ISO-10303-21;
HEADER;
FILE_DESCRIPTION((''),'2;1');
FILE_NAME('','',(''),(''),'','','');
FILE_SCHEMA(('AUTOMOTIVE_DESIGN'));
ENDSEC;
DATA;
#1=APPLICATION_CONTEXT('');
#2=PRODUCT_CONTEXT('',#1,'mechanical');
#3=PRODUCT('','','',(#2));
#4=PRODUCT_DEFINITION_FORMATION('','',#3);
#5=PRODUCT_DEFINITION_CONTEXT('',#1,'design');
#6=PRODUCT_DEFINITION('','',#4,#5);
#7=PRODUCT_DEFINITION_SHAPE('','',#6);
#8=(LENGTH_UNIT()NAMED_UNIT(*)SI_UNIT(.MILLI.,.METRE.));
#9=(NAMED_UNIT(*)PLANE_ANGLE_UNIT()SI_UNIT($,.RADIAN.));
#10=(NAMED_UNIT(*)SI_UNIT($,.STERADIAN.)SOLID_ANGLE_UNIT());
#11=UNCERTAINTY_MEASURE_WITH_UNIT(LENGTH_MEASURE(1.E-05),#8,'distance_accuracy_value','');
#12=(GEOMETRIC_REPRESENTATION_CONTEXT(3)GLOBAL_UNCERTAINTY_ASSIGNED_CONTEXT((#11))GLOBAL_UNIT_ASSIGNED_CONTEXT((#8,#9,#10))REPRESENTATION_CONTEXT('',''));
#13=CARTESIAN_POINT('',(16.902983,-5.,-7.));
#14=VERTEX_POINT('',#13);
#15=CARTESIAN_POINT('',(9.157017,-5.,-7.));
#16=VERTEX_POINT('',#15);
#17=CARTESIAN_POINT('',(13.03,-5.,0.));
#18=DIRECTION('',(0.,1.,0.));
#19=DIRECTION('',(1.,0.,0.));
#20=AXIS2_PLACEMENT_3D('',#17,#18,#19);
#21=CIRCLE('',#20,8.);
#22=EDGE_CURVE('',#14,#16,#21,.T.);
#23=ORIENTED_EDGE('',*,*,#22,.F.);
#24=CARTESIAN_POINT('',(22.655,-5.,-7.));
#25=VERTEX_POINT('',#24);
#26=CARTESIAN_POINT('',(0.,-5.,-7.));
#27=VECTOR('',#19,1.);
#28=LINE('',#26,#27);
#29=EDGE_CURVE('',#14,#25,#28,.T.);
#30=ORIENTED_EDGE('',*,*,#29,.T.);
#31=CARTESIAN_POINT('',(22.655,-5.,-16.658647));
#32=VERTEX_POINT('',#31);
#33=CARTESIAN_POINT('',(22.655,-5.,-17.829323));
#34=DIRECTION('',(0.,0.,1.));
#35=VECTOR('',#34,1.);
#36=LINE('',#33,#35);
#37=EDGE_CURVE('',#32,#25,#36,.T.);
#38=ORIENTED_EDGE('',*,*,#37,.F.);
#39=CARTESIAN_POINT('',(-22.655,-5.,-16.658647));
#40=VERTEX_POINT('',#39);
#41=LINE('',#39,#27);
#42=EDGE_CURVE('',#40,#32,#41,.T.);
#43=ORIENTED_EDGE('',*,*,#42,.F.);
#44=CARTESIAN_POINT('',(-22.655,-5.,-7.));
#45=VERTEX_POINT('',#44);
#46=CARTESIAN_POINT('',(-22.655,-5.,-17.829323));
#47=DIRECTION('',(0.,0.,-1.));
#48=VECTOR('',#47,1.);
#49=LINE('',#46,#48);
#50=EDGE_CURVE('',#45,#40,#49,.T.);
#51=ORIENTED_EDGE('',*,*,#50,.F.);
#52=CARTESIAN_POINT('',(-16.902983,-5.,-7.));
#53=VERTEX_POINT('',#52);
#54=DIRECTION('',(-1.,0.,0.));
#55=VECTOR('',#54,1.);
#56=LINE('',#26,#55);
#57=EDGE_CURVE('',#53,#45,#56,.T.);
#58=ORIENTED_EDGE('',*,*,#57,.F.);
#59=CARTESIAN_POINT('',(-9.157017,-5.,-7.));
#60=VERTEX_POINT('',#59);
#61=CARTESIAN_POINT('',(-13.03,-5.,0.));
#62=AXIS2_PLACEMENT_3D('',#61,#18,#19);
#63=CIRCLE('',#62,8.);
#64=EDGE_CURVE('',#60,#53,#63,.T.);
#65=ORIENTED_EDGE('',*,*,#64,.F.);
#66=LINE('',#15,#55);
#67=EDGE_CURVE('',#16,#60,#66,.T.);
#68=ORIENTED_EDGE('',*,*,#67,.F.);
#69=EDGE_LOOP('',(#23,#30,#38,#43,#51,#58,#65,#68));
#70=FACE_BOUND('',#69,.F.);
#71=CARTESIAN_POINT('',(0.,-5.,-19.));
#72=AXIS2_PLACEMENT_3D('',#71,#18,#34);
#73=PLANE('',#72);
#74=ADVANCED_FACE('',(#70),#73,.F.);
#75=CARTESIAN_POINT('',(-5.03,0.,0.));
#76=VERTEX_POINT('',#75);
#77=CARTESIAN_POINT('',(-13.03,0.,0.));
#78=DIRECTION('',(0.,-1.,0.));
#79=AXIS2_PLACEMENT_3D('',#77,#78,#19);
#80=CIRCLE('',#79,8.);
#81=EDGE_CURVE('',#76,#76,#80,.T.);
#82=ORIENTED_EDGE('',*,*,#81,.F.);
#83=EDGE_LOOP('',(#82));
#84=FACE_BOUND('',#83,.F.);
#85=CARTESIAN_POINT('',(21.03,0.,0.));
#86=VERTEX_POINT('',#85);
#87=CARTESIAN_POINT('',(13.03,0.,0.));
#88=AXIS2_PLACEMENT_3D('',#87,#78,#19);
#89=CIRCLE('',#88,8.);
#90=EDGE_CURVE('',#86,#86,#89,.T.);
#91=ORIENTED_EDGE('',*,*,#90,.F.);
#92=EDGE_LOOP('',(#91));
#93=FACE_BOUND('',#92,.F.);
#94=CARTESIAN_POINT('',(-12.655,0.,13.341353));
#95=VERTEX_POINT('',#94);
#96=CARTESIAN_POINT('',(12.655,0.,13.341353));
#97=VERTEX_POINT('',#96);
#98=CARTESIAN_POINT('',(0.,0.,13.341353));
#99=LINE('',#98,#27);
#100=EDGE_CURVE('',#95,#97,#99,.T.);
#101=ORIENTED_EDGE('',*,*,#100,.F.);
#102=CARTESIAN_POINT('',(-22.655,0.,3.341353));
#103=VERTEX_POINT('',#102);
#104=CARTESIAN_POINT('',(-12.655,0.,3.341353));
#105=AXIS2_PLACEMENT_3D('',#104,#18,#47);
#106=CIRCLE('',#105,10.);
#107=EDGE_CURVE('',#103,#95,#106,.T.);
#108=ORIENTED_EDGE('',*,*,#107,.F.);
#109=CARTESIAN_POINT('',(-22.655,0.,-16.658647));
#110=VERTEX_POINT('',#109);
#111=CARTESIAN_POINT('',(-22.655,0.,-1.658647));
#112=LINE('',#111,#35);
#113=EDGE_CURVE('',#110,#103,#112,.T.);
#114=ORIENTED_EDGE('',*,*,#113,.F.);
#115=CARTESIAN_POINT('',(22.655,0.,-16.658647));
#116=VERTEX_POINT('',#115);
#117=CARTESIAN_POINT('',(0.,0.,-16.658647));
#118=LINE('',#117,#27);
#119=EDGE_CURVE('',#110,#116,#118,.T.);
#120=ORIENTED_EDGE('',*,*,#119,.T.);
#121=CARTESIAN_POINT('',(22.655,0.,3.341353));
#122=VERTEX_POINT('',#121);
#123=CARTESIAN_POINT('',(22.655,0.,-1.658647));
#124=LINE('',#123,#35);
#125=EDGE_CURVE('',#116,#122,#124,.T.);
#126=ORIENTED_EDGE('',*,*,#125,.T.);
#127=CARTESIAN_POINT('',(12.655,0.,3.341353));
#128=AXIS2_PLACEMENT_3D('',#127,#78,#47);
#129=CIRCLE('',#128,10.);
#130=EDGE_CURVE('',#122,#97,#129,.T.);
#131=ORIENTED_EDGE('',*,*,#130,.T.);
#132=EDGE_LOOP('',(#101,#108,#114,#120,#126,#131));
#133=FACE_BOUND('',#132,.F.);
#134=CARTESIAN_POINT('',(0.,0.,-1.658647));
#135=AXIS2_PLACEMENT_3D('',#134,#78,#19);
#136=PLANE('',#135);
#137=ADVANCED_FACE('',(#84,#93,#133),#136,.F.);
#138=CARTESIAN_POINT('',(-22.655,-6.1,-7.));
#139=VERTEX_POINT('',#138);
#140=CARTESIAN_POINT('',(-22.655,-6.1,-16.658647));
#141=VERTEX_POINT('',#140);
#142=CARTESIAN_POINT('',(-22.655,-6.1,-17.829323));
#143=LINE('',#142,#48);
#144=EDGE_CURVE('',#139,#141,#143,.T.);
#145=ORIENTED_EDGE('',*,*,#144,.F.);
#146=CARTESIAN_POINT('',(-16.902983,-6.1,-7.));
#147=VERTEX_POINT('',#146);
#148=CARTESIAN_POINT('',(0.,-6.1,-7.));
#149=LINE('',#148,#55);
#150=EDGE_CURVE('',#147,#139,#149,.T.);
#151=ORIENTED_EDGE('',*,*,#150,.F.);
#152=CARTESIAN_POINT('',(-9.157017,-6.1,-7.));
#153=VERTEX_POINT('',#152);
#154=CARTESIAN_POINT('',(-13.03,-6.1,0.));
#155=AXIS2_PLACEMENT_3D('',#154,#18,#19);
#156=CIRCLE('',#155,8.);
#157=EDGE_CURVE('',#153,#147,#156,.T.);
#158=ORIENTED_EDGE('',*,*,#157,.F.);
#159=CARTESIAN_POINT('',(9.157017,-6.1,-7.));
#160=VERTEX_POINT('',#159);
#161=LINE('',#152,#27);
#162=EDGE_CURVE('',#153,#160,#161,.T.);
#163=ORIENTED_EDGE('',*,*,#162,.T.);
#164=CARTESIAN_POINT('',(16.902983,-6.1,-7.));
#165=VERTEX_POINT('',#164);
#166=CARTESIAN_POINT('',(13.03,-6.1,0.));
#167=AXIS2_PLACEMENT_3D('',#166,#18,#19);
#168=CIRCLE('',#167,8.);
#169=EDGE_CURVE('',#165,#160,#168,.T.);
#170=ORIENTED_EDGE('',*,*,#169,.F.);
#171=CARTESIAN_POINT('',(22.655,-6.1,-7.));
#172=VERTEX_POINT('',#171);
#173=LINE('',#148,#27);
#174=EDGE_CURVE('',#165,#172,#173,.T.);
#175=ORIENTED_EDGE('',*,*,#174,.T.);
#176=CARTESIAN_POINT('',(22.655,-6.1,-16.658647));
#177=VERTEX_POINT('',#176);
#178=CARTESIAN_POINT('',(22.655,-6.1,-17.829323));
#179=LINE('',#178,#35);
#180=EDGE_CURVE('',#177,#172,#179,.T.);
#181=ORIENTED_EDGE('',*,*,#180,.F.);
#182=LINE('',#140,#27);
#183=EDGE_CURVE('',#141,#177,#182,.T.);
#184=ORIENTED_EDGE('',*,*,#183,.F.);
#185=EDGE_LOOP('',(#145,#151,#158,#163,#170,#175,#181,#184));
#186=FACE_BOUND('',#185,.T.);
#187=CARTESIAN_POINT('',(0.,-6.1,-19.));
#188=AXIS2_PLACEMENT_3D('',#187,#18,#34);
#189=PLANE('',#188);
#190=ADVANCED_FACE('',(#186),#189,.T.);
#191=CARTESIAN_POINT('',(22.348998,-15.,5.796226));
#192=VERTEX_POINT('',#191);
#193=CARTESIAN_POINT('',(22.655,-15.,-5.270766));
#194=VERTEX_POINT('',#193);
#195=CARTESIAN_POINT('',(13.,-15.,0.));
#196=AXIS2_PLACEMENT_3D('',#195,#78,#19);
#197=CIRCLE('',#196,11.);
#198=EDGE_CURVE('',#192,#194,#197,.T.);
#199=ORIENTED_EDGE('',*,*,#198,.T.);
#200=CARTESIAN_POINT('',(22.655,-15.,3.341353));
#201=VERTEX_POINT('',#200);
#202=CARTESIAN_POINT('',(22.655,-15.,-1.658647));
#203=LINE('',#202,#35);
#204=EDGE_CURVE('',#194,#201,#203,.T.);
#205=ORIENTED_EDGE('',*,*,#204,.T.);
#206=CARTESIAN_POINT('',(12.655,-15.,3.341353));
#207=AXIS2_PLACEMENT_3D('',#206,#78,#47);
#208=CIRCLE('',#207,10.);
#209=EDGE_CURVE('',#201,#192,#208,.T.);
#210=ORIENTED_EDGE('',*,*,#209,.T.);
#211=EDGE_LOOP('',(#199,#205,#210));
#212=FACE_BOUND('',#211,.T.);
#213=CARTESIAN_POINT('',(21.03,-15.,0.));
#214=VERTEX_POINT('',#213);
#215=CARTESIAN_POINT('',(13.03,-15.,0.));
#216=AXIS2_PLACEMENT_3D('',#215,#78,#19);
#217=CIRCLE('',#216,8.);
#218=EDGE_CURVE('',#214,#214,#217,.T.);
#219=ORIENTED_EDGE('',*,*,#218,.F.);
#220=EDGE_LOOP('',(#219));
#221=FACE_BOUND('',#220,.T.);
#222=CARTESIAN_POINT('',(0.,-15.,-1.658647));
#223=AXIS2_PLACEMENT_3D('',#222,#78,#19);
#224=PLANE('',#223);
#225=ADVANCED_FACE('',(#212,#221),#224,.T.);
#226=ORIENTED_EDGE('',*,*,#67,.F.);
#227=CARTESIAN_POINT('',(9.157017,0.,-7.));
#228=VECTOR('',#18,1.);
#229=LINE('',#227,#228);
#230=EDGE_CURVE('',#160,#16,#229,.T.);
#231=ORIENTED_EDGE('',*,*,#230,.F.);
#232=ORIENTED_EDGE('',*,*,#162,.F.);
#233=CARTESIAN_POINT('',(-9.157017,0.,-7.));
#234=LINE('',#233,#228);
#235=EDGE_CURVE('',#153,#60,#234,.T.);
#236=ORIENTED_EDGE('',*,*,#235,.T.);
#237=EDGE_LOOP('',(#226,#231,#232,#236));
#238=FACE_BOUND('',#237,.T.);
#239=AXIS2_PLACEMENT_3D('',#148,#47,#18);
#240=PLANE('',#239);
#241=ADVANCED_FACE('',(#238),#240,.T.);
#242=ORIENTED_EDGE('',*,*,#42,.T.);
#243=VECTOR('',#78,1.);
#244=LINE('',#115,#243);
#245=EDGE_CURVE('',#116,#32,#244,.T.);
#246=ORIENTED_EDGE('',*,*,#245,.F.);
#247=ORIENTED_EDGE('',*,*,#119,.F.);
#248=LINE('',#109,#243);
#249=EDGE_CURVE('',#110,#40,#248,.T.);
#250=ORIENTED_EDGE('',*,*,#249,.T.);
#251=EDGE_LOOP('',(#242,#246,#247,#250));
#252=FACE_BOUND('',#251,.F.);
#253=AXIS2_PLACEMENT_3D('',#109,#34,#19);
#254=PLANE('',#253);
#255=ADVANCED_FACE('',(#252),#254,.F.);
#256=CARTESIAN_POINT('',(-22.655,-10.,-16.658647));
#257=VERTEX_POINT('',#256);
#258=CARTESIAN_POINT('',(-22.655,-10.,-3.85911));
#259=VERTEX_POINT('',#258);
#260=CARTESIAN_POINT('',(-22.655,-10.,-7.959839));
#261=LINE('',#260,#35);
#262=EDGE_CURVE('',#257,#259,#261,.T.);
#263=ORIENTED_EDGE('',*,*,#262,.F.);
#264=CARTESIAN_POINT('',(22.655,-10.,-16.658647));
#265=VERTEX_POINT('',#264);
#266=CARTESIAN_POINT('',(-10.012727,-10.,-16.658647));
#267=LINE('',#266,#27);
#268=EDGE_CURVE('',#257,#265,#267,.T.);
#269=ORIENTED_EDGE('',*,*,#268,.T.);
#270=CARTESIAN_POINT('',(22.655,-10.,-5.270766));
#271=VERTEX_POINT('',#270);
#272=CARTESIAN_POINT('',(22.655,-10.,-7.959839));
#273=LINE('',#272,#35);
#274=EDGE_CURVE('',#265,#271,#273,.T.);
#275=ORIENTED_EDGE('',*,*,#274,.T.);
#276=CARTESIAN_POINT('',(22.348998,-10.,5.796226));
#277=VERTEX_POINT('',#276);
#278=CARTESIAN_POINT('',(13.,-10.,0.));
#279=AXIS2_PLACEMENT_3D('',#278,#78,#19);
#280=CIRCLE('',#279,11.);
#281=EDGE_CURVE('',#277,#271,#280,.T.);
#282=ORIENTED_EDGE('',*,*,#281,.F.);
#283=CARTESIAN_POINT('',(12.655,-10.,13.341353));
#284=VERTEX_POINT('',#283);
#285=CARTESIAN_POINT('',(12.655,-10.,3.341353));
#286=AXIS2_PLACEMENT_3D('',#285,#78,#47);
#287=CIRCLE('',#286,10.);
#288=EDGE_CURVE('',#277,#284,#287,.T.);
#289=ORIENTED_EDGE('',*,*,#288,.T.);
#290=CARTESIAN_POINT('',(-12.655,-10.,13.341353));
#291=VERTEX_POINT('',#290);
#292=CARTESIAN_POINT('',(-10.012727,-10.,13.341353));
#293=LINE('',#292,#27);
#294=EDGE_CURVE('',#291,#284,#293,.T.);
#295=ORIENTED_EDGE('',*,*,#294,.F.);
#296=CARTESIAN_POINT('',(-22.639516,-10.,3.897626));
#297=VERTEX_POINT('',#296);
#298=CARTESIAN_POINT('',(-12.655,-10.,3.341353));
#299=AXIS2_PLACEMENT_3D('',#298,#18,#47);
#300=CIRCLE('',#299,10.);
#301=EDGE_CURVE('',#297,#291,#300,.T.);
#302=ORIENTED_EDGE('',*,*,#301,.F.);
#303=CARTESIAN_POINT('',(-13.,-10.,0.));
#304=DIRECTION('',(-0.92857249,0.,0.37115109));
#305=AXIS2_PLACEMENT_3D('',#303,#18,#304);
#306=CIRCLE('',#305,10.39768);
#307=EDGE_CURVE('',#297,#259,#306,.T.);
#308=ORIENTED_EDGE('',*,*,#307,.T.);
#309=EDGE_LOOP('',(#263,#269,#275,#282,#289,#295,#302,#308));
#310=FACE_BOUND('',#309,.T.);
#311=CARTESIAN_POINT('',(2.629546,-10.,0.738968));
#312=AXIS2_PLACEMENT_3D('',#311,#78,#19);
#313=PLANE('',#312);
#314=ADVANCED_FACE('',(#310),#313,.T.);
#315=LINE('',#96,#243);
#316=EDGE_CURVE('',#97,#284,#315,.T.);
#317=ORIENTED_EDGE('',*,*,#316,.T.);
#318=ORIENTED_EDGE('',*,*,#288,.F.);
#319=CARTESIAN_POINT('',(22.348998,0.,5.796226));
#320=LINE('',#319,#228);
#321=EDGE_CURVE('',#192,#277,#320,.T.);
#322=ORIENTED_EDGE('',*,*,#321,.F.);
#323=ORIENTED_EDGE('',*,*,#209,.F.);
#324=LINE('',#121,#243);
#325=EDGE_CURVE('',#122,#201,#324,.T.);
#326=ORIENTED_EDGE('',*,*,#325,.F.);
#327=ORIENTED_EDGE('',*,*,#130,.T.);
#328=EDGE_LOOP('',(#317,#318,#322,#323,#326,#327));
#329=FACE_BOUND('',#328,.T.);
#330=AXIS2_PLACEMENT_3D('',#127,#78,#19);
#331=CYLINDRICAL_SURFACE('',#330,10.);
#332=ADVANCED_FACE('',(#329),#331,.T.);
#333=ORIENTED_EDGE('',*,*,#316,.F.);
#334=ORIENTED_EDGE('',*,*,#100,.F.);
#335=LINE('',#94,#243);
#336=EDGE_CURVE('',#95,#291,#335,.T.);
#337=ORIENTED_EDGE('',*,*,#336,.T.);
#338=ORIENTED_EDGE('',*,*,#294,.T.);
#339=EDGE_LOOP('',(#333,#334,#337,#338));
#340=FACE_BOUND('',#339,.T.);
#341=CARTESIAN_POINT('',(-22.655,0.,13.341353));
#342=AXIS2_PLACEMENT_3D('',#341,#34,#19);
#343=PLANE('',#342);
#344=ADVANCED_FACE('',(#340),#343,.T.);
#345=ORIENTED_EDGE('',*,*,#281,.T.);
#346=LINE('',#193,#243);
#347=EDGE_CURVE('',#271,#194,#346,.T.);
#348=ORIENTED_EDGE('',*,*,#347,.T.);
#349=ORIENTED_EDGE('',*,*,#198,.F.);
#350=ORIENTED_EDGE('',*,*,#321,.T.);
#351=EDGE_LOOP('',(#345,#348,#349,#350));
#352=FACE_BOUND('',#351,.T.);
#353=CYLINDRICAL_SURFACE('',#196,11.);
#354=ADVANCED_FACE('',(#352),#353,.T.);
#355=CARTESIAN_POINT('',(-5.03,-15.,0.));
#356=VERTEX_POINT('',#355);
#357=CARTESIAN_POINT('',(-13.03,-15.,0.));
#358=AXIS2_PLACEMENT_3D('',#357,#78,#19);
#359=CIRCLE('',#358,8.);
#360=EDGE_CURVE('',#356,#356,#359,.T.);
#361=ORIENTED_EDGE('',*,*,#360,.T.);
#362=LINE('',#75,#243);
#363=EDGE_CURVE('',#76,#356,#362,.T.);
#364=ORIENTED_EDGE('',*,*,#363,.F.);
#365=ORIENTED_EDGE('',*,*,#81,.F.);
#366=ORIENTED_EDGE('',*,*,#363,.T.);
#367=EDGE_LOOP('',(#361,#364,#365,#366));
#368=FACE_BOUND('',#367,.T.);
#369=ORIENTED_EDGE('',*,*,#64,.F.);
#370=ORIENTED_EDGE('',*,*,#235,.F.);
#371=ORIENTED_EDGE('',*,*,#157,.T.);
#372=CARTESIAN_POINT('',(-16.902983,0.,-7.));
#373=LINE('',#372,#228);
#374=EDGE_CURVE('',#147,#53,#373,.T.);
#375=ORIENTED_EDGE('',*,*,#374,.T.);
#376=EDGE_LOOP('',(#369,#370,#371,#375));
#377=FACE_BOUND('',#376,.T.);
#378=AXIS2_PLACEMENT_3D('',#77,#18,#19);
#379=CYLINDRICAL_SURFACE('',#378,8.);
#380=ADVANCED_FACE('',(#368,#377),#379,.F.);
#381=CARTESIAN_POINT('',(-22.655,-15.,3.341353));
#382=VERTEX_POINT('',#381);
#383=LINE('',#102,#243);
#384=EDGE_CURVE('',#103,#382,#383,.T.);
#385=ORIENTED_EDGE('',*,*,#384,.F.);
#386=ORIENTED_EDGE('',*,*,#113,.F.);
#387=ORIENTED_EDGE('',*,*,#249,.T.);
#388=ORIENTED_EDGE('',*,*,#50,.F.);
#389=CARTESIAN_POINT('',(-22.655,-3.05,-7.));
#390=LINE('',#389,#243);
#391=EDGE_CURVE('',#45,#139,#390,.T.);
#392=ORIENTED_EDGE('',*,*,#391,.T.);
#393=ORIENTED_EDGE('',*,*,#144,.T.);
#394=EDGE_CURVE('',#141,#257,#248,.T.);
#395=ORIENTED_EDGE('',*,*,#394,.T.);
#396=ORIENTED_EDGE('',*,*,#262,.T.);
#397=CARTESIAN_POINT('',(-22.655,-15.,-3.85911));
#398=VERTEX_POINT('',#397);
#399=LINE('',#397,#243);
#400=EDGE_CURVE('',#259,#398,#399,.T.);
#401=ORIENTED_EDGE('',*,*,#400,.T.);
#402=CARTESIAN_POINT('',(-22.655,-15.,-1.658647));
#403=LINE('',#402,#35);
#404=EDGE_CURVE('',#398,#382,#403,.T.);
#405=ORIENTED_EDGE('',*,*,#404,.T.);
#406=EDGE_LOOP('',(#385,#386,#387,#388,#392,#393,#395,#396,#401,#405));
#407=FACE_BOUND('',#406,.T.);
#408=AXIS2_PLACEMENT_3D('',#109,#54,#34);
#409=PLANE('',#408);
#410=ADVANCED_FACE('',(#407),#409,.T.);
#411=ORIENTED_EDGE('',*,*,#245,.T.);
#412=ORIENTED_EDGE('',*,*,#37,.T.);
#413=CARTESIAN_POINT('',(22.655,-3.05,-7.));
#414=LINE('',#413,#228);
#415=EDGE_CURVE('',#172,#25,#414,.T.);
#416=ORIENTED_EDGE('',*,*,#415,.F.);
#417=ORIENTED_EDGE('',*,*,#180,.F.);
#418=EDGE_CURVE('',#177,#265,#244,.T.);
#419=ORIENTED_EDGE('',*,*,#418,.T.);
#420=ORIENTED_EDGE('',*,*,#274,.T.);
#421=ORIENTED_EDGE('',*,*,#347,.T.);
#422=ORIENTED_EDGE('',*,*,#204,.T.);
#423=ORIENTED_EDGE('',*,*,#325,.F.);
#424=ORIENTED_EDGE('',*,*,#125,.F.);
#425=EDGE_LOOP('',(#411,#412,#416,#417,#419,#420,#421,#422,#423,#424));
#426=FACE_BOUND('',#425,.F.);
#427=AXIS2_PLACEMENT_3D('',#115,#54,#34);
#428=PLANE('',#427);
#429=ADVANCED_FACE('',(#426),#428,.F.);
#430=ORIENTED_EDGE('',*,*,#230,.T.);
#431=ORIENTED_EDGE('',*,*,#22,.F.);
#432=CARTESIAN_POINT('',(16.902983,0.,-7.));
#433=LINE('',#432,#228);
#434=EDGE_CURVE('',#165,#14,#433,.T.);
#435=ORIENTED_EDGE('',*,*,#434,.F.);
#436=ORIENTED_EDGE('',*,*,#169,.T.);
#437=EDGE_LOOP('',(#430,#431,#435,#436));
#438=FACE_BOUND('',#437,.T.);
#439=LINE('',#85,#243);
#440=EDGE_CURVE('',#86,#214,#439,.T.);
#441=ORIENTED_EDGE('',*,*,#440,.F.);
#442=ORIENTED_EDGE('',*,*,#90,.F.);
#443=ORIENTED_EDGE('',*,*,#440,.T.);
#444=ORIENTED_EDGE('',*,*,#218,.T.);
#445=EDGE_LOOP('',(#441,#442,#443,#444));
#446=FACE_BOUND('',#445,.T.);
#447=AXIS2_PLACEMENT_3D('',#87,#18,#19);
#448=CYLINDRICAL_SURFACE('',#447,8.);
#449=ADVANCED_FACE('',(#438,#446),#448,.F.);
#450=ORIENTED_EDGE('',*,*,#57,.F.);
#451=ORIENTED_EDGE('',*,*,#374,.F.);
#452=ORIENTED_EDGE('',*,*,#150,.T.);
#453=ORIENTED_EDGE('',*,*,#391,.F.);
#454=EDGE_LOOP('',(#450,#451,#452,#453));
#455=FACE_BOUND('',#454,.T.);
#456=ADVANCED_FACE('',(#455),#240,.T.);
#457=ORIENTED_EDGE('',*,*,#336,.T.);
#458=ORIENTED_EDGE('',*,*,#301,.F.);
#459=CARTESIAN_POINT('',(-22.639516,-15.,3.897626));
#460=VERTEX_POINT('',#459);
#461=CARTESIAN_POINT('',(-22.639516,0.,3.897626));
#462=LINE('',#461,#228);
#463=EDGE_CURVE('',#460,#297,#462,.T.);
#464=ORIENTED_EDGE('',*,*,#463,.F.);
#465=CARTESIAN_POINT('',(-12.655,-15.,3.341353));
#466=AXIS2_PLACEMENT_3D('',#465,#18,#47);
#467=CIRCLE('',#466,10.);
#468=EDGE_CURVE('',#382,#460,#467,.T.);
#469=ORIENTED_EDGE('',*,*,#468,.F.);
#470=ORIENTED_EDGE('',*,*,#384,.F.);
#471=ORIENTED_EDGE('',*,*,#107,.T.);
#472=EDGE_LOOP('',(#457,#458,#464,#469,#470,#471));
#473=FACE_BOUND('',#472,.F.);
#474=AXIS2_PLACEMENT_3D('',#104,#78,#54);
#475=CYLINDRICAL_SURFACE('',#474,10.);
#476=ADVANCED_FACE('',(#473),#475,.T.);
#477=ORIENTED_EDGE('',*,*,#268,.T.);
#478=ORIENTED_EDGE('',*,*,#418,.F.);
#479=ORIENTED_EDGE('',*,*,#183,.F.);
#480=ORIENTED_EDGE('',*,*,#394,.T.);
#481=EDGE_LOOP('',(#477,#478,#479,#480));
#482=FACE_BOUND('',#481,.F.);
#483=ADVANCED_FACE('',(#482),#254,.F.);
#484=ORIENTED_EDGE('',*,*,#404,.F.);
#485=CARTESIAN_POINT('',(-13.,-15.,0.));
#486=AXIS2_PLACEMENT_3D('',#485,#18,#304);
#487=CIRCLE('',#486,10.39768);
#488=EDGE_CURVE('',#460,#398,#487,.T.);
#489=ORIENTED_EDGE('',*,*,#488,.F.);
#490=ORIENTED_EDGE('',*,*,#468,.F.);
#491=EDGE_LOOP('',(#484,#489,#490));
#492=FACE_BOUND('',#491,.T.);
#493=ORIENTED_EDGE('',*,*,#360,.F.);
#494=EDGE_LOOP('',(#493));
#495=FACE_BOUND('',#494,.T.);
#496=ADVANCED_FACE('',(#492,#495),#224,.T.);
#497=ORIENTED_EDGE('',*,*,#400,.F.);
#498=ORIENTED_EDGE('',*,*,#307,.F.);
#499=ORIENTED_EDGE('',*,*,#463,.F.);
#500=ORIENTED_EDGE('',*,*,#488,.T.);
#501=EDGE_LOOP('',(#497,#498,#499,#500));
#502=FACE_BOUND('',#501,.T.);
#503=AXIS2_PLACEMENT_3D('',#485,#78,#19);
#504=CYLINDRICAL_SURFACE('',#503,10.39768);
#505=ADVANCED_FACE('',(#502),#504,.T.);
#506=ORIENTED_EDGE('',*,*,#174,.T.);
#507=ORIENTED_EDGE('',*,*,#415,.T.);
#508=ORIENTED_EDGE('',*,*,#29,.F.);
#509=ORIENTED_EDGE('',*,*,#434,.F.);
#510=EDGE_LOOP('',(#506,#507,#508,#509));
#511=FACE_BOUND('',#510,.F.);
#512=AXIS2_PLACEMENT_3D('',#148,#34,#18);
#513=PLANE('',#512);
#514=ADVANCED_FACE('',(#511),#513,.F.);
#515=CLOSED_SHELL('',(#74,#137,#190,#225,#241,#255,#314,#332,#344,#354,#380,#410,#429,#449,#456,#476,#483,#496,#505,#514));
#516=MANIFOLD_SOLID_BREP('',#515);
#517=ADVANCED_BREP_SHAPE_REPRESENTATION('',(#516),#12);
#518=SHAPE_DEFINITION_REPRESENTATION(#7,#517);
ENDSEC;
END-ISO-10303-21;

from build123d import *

# Parameters (mm, degrees)
F0_W          = 45.31
F0_H          = 30
F0_R          = 8
F1_DEPTH      = 15
F2_W          = 1.1
F2_H          = 12
F3_DEPTH      = 25
F3_DEPTH_BACK = 25
F5_W          = 59.0507443994
F5_H          = 44.4323215634
F5_R          = 10.3976804266
F5_R_2        = 11
F6_DEPTH      = 5
F7_R          = 10


with BuildPart() as f1:
    # F0 (on Front) → F1 (new body)
    with BuildSketch(Plane.XZ):
        with Locations((0, -1.6586469859)):
            Rectangle(F0_W, F0_H)
        with Locations((-13.03, 0)):
            Circle(F0_R, mode=Mode.SUBTRACT)
        with Locations((13.03, 0)):
            Circle(F0_R, mode=Mode.SUBTRACT)
    extrude(amount=F1_DEPTH)

    # F2 (on Right) → F3 (cut, two sides)
    with BuildSketch(Plane.YZ) as f3_sk:
        with Locations((-5.55, -13)):
            Rectangle(F2_W, F2_H)
    extrude(amount=-F3_DEPTH, mode=Mode.SUBTRACT)
    extrude(f3_sk.sketch, amount=F3_DEPTH_BACK, mode=Mode.SUBTRACT)

    # F5 (on offset) → F6 (cut)
    with BuildSketch(Plane.XZ.offset(15)):
        with Locations((2.6295455173, 0.7389681414)):
            Rectangle(F5_W, F5_H)
        with Locations((-13, 0)):
            Circle(F5_R, mode=Mode.SUBTRACT)
        with Locations((13, 0)):
            Circle(F5_R_2, mode=Mode.SUBTRACT)
    extrude(amount=-F6_DEPTH, mode=Mode.SUBTRACT)

    # F7
    f7_edges = [f1.edges().sort_by_distance(p)[0] for p in [
        (22.655, -5, 13.341353),
        (-22.655, -5, 13.341353),
    ]]
    fillet(f7_edges, radius=F7_R)


solid = f1.part
